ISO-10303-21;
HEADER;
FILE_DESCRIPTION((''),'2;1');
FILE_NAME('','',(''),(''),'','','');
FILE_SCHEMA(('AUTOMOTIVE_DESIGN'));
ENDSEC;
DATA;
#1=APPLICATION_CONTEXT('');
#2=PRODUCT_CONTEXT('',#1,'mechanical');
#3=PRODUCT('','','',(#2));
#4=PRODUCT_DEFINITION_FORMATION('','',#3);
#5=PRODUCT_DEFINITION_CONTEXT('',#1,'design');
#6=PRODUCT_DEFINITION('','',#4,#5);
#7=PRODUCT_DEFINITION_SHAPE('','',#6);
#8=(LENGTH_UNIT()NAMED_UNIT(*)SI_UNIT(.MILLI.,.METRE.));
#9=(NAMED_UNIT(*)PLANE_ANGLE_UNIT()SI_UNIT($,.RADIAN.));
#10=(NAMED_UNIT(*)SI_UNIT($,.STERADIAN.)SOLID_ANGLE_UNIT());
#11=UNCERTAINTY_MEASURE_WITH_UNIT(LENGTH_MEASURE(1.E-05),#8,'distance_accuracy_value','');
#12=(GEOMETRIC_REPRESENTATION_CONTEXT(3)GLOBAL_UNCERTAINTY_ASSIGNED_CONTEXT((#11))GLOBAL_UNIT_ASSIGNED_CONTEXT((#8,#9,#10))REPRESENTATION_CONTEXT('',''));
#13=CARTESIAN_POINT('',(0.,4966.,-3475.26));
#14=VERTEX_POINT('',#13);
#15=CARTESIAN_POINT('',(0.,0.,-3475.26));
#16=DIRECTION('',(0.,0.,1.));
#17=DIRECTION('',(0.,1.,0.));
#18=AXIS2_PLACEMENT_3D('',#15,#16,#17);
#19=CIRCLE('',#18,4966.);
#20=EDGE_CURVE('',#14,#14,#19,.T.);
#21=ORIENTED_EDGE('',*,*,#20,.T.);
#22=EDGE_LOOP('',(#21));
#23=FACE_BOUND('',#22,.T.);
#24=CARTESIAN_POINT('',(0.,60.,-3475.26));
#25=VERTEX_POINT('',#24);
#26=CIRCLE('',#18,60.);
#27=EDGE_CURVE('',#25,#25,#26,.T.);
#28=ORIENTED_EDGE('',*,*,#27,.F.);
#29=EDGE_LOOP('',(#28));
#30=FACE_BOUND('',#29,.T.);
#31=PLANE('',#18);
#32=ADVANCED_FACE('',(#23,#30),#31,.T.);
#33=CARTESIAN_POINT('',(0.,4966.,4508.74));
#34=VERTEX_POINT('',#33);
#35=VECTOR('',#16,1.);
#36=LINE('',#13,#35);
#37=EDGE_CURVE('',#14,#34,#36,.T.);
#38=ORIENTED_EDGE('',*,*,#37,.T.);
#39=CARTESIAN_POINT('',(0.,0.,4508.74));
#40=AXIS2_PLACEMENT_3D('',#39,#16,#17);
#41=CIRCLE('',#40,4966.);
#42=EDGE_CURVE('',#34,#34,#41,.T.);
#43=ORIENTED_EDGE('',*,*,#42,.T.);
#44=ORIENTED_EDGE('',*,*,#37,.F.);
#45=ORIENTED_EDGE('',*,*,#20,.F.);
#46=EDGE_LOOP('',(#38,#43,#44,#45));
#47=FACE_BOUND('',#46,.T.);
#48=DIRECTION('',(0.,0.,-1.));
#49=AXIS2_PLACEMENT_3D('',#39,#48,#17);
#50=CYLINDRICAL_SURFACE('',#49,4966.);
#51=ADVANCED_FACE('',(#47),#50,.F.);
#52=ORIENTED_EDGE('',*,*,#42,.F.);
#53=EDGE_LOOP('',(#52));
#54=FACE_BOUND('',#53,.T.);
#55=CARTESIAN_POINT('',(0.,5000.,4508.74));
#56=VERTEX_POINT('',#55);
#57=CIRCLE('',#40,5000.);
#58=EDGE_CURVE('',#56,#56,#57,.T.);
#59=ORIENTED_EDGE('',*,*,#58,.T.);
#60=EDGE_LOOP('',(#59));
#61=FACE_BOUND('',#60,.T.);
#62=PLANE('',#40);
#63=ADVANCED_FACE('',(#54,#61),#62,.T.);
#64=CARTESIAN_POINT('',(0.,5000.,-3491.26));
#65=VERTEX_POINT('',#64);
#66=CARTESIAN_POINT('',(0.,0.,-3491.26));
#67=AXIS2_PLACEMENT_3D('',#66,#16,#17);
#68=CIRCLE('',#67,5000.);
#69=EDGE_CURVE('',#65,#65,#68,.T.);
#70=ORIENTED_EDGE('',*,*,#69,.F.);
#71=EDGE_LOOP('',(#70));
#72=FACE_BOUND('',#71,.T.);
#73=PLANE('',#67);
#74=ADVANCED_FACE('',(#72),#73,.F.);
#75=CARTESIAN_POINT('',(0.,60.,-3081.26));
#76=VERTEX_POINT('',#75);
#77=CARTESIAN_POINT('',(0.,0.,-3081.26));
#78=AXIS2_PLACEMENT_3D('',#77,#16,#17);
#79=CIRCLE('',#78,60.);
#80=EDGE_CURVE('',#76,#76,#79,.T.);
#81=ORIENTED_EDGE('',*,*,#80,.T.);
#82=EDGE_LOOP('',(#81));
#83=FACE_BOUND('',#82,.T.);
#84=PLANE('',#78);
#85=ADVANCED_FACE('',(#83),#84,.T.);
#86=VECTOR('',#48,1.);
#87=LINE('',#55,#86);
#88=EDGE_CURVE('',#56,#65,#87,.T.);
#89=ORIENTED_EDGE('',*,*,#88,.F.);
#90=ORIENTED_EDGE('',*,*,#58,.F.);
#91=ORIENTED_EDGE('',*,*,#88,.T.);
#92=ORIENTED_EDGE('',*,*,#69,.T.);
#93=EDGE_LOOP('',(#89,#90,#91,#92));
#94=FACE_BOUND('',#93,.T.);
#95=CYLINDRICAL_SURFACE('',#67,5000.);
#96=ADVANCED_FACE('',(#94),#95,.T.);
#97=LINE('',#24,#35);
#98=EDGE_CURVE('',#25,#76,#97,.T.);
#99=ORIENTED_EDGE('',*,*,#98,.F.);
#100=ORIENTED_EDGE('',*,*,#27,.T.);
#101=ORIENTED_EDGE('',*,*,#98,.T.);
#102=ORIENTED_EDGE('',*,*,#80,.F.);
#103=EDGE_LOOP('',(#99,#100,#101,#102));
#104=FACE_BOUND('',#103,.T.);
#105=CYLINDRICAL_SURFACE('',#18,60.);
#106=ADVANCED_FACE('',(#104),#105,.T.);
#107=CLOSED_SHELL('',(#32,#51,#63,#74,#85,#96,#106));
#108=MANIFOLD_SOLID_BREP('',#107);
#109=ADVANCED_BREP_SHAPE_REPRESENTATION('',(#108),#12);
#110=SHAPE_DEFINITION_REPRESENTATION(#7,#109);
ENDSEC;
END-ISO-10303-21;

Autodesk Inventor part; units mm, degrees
ref_plane "YZ Plane" through (0, 0, 0) normal (1, 0, 0) x (0, 1, 0)
ref_plane "XZ Plane" through (0, 0, 0) normal (0, 1, 0) x (-1, 0, 0)
ref_plane "XY Plane" through (0, 0, 0) normal (0, 0, 1) x (1, 0, 0)
sketch "Sketch2" plane through (0, 0, 0) normal (1, 0, 0) x (0, 1, 0)
  line L0 (0, -3081.26) -> (0, -3491.26)
  line L1 (0, -3491.26) -> (5000, -3491.26)
  line L2 (5000, -3491.26) -> (5000, 4508.74)
  line L3 (5000, 4508.74) -> (4966, 4508.74)
  line L4 (4966, 4508.74) -> (4966, -3475.26)
  line L5 (4966, -3475.26) -> (60, -3475.26)
  line L6 (60, -3475.26) -> (60, -3081.26)
  line L7 (60, -3081.26) -> (0, -3081.26)
  line L8 (0, -5091.26) -> (0, 6108.74) projected
  line L9 (-1000, 0) -> (6000, 0) projected
  point P0 (0, 0)
  dimension "d0" = 8000
  dimension "d1" = 410
  dimension "d2" = 7984
  dimension "d3" = 60
  dimension "d4" = 34
  dimension "d5" = 16
  dimension "d6" = 5000
  dimension "d7" = 0
  dimension "d10" = 3475.26
revolve "Revolution1" add sketch "Sketch2" angle 360 about axis through (0, 0, -10) along (0, 0, 1) contours L7 L6 L5 L4 L9 L2 L1 L0 | L4 L3 L2 L9
properties part number "BasicBuoy" material "Steel"
